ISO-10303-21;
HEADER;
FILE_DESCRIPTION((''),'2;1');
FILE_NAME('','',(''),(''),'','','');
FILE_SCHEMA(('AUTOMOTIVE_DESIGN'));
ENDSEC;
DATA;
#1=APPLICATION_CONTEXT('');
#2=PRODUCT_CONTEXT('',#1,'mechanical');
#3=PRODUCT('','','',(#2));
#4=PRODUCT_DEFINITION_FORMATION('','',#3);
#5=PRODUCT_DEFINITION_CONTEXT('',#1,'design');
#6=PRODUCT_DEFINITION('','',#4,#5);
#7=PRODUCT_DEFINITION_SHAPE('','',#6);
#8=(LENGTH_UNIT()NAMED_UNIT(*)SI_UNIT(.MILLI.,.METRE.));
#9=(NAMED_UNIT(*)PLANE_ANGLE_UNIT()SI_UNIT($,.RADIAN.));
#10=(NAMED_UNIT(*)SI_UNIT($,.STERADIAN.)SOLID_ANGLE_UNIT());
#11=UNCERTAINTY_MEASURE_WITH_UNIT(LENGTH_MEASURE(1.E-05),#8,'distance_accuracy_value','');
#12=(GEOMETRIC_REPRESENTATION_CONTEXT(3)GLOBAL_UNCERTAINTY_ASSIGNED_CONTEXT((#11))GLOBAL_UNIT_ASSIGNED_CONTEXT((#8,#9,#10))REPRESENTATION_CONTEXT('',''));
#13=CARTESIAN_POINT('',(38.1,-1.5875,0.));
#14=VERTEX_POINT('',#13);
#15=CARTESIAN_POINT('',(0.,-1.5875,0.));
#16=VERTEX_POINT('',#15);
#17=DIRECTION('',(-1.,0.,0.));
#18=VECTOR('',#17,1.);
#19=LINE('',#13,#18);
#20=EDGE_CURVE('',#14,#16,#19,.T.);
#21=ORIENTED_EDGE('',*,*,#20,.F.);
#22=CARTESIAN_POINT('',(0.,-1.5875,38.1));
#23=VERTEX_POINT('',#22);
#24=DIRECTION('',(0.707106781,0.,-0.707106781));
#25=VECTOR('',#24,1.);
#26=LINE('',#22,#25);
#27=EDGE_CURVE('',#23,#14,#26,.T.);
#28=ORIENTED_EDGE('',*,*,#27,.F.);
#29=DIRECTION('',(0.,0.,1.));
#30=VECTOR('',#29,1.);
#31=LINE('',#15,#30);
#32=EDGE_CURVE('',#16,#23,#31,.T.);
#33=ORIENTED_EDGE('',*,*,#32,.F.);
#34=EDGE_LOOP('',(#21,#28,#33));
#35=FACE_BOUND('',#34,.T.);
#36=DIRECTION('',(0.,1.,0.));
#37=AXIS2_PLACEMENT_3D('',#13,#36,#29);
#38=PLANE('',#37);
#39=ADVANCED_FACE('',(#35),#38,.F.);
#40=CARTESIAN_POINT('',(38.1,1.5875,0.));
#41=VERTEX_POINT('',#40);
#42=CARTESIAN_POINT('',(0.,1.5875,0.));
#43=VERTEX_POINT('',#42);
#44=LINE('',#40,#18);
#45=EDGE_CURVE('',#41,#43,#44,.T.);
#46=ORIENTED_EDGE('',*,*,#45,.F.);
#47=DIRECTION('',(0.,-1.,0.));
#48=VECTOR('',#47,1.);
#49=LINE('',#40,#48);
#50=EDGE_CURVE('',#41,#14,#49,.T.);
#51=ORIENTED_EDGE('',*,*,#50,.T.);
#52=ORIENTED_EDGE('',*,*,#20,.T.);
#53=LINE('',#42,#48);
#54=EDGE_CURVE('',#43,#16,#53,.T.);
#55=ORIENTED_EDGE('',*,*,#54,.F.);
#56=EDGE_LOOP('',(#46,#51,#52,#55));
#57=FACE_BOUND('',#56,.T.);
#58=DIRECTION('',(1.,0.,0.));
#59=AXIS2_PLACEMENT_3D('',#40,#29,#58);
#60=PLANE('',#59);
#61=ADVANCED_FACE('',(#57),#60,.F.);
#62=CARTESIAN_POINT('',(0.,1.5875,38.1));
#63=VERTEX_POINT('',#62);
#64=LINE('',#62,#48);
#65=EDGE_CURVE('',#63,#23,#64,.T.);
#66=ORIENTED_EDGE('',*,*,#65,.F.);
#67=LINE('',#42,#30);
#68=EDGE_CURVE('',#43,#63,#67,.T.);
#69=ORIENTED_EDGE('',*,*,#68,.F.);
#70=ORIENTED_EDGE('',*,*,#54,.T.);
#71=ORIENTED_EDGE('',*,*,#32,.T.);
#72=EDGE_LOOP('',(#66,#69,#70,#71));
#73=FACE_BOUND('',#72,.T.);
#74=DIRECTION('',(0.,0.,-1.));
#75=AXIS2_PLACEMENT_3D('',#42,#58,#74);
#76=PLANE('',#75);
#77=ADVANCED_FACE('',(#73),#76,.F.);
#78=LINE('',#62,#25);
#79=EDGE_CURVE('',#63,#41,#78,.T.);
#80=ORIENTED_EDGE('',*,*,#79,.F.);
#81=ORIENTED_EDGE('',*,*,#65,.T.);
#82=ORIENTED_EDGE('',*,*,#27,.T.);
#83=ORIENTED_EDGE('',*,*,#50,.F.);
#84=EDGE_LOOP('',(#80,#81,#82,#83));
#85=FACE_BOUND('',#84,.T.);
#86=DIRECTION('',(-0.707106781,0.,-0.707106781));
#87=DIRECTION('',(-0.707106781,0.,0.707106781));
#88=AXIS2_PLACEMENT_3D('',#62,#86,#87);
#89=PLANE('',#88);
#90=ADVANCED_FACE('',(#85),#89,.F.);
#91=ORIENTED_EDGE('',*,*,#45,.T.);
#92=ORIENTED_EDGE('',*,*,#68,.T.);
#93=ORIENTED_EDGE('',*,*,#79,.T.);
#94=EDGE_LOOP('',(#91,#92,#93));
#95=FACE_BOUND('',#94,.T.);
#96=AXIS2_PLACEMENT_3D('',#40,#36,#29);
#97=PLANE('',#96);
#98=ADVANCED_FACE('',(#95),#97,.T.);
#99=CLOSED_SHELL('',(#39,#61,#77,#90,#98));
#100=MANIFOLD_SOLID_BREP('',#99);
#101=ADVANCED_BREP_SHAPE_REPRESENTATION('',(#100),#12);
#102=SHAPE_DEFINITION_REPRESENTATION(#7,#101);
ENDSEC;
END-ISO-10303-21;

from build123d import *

# Parameters (mm, degrees)
BOSS_EXTRUDE1_DEPTH = 1.5875


with BuildPart() as part:
    # Sketch1 → Boss-Extrude1 (new body, symmetric)
    with BuildSketch(Plane(origin=(0, 0, 0), x_dir=(1, 0, 0), z_dir=(0, 1, 0))):
        Polygon((38.1, 0), (0, 0), (0, -38.1), align=None)
    extrude(amount=BOSS_EXTRUDE1_DEPTH, both=True)


solid = part.part
